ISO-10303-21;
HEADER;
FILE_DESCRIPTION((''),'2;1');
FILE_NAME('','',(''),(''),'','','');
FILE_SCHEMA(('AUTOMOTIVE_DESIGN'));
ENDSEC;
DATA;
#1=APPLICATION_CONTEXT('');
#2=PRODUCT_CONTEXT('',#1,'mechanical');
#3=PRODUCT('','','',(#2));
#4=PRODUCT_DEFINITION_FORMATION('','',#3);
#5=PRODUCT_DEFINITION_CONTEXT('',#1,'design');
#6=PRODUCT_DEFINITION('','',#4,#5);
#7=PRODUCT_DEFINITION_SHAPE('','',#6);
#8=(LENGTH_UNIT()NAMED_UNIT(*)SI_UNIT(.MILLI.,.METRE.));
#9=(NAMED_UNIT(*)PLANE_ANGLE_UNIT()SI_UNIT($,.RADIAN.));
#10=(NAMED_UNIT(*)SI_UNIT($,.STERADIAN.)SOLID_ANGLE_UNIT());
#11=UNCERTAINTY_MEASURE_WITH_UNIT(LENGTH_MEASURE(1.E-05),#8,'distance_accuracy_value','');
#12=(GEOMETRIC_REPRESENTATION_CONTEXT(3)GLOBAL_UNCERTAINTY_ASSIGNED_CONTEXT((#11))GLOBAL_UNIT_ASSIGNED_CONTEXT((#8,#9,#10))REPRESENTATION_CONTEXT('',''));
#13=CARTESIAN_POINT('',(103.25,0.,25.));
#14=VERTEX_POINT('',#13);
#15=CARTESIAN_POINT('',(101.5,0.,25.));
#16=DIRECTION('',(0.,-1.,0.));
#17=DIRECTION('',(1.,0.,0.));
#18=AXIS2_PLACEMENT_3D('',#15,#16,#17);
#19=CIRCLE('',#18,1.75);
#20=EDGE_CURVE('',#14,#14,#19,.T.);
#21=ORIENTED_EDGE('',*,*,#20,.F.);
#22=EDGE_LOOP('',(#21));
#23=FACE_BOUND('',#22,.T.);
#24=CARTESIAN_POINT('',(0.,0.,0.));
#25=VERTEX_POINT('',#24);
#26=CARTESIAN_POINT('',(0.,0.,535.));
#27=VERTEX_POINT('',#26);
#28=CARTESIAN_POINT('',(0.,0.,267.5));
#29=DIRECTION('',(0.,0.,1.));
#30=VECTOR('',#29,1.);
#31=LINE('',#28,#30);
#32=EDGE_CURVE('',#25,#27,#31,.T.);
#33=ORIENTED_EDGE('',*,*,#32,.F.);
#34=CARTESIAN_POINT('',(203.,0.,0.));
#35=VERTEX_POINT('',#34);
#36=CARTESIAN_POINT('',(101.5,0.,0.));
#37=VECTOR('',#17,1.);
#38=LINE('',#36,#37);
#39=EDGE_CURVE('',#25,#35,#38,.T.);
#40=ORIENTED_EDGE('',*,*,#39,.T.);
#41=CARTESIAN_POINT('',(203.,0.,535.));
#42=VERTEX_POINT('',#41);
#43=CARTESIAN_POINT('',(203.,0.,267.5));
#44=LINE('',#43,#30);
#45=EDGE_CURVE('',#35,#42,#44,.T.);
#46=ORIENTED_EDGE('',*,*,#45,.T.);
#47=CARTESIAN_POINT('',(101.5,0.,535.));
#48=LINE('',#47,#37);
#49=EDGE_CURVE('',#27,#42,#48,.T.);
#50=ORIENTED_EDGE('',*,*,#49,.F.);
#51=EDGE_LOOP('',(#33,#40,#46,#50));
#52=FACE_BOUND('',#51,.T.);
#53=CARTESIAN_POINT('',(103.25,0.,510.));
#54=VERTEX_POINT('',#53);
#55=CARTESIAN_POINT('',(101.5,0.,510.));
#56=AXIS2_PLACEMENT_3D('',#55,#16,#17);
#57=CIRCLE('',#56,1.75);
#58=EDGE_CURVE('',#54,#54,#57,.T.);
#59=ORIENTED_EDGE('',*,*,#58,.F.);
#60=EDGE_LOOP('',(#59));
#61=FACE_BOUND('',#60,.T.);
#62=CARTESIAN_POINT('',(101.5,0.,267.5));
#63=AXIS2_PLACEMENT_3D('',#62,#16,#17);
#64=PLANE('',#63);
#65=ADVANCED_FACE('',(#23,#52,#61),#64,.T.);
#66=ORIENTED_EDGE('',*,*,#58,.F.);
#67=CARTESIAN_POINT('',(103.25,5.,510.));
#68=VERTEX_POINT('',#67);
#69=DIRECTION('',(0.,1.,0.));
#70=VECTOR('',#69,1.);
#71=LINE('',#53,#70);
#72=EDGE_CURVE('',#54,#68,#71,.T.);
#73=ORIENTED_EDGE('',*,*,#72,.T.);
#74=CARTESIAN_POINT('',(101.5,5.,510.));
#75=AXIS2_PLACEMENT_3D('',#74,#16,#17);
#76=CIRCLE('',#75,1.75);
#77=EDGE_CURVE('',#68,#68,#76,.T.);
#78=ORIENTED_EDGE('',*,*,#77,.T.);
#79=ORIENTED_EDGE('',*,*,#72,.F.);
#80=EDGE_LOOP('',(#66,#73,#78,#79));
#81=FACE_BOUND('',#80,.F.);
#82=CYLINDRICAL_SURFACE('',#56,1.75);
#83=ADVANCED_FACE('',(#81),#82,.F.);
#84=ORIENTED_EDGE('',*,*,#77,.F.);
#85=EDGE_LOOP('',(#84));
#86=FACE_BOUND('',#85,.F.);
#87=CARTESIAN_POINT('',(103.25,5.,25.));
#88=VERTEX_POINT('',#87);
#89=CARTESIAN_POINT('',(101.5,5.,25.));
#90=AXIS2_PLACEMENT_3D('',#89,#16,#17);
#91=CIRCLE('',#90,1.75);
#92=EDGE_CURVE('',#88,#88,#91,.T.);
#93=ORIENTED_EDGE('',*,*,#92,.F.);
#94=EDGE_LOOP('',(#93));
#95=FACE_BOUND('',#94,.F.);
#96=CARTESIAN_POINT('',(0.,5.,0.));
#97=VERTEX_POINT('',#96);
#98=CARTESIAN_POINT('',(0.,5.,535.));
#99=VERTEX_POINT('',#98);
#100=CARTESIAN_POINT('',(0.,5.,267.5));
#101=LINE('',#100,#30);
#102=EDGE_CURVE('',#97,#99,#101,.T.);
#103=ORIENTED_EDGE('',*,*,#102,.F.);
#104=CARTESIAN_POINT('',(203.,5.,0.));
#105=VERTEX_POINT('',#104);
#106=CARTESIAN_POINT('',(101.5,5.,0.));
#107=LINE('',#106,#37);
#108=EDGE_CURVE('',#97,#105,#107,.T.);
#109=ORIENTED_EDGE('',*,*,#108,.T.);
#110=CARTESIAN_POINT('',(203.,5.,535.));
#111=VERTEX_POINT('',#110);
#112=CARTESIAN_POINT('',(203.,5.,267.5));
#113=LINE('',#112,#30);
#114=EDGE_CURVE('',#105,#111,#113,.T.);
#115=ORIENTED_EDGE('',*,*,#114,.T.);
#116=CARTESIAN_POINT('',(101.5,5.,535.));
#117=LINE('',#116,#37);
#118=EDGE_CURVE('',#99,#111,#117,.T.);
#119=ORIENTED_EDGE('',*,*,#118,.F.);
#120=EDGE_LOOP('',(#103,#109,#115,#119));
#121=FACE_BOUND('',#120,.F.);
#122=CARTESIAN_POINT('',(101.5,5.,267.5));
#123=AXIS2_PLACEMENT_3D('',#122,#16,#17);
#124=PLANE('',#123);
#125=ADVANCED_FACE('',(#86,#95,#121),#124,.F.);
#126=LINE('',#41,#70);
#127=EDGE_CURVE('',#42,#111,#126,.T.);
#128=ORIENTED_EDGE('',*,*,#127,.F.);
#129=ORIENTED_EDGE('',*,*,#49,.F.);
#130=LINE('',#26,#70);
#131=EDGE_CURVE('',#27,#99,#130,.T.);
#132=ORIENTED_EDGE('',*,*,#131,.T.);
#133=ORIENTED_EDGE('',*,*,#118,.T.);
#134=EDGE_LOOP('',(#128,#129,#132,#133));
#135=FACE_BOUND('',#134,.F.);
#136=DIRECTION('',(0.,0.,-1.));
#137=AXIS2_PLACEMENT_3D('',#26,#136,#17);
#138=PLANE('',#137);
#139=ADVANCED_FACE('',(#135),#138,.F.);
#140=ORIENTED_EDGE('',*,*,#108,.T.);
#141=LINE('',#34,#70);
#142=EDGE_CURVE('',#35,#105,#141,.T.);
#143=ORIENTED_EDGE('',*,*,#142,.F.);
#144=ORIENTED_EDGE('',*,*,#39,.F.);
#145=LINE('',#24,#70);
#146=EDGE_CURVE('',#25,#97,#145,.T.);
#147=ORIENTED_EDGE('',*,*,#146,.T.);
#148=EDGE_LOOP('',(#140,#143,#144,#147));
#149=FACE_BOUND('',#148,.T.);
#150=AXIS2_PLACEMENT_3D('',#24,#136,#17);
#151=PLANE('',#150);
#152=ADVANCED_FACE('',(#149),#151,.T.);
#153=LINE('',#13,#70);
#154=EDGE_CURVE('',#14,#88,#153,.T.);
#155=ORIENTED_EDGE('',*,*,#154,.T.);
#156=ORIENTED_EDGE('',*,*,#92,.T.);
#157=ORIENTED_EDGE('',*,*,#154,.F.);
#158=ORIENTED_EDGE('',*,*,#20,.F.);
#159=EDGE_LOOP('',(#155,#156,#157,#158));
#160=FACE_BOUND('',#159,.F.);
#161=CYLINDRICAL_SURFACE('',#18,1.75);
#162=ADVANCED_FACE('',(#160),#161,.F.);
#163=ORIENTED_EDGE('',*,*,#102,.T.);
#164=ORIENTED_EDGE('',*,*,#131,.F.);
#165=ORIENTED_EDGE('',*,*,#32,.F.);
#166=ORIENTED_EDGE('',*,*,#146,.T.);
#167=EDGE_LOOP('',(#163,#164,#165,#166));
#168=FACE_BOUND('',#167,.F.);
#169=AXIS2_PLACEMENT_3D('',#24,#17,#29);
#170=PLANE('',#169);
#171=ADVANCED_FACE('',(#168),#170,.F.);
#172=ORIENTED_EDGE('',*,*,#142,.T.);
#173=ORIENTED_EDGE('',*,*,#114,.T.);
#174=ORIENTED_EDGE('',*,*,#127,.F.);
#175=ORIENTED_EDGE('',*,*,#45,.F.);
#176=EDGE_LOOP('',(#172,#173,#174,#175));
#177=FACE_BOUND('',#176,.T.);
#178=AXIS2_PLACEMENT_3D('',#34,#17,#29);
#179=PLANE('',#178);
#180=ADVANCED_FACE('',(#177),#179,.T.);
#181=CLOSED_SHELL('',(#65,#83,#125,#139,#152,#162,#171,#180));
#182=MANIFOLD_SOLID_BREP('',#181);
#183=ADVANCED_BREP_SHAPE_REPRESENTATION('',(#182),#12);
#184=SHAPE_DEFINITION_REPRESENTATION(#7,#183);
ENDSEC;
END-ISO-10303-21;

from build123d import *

# Parameters (mm, degrees)
F0_W     = 203
F0_H     = 535
F1_DEPTH = 5
F2_R     = 1.75
F3_DEPTH = 25


with BuildPart() as f1:
    # F0 (on Front) → F1 (new body)
    with BuildSketch(Plane.XZ):
        with Locations((101.5, 267.5)):
            Rectangle(F0_W, F0_H)
    extrude(amount=-F1_DEPTH)

    # F2 (on face) → F3 (cut)
    with BuildSketch(Plane.XZ):
        with Locations((101.5, 510)):
            Circle(F2_R)
        with Locations((101.5, 25)):
            Circle(F2_R)
    extrude(amount=-F3_DEPTH, mode=Mode.SUBTRACT)


solid = f1.part
